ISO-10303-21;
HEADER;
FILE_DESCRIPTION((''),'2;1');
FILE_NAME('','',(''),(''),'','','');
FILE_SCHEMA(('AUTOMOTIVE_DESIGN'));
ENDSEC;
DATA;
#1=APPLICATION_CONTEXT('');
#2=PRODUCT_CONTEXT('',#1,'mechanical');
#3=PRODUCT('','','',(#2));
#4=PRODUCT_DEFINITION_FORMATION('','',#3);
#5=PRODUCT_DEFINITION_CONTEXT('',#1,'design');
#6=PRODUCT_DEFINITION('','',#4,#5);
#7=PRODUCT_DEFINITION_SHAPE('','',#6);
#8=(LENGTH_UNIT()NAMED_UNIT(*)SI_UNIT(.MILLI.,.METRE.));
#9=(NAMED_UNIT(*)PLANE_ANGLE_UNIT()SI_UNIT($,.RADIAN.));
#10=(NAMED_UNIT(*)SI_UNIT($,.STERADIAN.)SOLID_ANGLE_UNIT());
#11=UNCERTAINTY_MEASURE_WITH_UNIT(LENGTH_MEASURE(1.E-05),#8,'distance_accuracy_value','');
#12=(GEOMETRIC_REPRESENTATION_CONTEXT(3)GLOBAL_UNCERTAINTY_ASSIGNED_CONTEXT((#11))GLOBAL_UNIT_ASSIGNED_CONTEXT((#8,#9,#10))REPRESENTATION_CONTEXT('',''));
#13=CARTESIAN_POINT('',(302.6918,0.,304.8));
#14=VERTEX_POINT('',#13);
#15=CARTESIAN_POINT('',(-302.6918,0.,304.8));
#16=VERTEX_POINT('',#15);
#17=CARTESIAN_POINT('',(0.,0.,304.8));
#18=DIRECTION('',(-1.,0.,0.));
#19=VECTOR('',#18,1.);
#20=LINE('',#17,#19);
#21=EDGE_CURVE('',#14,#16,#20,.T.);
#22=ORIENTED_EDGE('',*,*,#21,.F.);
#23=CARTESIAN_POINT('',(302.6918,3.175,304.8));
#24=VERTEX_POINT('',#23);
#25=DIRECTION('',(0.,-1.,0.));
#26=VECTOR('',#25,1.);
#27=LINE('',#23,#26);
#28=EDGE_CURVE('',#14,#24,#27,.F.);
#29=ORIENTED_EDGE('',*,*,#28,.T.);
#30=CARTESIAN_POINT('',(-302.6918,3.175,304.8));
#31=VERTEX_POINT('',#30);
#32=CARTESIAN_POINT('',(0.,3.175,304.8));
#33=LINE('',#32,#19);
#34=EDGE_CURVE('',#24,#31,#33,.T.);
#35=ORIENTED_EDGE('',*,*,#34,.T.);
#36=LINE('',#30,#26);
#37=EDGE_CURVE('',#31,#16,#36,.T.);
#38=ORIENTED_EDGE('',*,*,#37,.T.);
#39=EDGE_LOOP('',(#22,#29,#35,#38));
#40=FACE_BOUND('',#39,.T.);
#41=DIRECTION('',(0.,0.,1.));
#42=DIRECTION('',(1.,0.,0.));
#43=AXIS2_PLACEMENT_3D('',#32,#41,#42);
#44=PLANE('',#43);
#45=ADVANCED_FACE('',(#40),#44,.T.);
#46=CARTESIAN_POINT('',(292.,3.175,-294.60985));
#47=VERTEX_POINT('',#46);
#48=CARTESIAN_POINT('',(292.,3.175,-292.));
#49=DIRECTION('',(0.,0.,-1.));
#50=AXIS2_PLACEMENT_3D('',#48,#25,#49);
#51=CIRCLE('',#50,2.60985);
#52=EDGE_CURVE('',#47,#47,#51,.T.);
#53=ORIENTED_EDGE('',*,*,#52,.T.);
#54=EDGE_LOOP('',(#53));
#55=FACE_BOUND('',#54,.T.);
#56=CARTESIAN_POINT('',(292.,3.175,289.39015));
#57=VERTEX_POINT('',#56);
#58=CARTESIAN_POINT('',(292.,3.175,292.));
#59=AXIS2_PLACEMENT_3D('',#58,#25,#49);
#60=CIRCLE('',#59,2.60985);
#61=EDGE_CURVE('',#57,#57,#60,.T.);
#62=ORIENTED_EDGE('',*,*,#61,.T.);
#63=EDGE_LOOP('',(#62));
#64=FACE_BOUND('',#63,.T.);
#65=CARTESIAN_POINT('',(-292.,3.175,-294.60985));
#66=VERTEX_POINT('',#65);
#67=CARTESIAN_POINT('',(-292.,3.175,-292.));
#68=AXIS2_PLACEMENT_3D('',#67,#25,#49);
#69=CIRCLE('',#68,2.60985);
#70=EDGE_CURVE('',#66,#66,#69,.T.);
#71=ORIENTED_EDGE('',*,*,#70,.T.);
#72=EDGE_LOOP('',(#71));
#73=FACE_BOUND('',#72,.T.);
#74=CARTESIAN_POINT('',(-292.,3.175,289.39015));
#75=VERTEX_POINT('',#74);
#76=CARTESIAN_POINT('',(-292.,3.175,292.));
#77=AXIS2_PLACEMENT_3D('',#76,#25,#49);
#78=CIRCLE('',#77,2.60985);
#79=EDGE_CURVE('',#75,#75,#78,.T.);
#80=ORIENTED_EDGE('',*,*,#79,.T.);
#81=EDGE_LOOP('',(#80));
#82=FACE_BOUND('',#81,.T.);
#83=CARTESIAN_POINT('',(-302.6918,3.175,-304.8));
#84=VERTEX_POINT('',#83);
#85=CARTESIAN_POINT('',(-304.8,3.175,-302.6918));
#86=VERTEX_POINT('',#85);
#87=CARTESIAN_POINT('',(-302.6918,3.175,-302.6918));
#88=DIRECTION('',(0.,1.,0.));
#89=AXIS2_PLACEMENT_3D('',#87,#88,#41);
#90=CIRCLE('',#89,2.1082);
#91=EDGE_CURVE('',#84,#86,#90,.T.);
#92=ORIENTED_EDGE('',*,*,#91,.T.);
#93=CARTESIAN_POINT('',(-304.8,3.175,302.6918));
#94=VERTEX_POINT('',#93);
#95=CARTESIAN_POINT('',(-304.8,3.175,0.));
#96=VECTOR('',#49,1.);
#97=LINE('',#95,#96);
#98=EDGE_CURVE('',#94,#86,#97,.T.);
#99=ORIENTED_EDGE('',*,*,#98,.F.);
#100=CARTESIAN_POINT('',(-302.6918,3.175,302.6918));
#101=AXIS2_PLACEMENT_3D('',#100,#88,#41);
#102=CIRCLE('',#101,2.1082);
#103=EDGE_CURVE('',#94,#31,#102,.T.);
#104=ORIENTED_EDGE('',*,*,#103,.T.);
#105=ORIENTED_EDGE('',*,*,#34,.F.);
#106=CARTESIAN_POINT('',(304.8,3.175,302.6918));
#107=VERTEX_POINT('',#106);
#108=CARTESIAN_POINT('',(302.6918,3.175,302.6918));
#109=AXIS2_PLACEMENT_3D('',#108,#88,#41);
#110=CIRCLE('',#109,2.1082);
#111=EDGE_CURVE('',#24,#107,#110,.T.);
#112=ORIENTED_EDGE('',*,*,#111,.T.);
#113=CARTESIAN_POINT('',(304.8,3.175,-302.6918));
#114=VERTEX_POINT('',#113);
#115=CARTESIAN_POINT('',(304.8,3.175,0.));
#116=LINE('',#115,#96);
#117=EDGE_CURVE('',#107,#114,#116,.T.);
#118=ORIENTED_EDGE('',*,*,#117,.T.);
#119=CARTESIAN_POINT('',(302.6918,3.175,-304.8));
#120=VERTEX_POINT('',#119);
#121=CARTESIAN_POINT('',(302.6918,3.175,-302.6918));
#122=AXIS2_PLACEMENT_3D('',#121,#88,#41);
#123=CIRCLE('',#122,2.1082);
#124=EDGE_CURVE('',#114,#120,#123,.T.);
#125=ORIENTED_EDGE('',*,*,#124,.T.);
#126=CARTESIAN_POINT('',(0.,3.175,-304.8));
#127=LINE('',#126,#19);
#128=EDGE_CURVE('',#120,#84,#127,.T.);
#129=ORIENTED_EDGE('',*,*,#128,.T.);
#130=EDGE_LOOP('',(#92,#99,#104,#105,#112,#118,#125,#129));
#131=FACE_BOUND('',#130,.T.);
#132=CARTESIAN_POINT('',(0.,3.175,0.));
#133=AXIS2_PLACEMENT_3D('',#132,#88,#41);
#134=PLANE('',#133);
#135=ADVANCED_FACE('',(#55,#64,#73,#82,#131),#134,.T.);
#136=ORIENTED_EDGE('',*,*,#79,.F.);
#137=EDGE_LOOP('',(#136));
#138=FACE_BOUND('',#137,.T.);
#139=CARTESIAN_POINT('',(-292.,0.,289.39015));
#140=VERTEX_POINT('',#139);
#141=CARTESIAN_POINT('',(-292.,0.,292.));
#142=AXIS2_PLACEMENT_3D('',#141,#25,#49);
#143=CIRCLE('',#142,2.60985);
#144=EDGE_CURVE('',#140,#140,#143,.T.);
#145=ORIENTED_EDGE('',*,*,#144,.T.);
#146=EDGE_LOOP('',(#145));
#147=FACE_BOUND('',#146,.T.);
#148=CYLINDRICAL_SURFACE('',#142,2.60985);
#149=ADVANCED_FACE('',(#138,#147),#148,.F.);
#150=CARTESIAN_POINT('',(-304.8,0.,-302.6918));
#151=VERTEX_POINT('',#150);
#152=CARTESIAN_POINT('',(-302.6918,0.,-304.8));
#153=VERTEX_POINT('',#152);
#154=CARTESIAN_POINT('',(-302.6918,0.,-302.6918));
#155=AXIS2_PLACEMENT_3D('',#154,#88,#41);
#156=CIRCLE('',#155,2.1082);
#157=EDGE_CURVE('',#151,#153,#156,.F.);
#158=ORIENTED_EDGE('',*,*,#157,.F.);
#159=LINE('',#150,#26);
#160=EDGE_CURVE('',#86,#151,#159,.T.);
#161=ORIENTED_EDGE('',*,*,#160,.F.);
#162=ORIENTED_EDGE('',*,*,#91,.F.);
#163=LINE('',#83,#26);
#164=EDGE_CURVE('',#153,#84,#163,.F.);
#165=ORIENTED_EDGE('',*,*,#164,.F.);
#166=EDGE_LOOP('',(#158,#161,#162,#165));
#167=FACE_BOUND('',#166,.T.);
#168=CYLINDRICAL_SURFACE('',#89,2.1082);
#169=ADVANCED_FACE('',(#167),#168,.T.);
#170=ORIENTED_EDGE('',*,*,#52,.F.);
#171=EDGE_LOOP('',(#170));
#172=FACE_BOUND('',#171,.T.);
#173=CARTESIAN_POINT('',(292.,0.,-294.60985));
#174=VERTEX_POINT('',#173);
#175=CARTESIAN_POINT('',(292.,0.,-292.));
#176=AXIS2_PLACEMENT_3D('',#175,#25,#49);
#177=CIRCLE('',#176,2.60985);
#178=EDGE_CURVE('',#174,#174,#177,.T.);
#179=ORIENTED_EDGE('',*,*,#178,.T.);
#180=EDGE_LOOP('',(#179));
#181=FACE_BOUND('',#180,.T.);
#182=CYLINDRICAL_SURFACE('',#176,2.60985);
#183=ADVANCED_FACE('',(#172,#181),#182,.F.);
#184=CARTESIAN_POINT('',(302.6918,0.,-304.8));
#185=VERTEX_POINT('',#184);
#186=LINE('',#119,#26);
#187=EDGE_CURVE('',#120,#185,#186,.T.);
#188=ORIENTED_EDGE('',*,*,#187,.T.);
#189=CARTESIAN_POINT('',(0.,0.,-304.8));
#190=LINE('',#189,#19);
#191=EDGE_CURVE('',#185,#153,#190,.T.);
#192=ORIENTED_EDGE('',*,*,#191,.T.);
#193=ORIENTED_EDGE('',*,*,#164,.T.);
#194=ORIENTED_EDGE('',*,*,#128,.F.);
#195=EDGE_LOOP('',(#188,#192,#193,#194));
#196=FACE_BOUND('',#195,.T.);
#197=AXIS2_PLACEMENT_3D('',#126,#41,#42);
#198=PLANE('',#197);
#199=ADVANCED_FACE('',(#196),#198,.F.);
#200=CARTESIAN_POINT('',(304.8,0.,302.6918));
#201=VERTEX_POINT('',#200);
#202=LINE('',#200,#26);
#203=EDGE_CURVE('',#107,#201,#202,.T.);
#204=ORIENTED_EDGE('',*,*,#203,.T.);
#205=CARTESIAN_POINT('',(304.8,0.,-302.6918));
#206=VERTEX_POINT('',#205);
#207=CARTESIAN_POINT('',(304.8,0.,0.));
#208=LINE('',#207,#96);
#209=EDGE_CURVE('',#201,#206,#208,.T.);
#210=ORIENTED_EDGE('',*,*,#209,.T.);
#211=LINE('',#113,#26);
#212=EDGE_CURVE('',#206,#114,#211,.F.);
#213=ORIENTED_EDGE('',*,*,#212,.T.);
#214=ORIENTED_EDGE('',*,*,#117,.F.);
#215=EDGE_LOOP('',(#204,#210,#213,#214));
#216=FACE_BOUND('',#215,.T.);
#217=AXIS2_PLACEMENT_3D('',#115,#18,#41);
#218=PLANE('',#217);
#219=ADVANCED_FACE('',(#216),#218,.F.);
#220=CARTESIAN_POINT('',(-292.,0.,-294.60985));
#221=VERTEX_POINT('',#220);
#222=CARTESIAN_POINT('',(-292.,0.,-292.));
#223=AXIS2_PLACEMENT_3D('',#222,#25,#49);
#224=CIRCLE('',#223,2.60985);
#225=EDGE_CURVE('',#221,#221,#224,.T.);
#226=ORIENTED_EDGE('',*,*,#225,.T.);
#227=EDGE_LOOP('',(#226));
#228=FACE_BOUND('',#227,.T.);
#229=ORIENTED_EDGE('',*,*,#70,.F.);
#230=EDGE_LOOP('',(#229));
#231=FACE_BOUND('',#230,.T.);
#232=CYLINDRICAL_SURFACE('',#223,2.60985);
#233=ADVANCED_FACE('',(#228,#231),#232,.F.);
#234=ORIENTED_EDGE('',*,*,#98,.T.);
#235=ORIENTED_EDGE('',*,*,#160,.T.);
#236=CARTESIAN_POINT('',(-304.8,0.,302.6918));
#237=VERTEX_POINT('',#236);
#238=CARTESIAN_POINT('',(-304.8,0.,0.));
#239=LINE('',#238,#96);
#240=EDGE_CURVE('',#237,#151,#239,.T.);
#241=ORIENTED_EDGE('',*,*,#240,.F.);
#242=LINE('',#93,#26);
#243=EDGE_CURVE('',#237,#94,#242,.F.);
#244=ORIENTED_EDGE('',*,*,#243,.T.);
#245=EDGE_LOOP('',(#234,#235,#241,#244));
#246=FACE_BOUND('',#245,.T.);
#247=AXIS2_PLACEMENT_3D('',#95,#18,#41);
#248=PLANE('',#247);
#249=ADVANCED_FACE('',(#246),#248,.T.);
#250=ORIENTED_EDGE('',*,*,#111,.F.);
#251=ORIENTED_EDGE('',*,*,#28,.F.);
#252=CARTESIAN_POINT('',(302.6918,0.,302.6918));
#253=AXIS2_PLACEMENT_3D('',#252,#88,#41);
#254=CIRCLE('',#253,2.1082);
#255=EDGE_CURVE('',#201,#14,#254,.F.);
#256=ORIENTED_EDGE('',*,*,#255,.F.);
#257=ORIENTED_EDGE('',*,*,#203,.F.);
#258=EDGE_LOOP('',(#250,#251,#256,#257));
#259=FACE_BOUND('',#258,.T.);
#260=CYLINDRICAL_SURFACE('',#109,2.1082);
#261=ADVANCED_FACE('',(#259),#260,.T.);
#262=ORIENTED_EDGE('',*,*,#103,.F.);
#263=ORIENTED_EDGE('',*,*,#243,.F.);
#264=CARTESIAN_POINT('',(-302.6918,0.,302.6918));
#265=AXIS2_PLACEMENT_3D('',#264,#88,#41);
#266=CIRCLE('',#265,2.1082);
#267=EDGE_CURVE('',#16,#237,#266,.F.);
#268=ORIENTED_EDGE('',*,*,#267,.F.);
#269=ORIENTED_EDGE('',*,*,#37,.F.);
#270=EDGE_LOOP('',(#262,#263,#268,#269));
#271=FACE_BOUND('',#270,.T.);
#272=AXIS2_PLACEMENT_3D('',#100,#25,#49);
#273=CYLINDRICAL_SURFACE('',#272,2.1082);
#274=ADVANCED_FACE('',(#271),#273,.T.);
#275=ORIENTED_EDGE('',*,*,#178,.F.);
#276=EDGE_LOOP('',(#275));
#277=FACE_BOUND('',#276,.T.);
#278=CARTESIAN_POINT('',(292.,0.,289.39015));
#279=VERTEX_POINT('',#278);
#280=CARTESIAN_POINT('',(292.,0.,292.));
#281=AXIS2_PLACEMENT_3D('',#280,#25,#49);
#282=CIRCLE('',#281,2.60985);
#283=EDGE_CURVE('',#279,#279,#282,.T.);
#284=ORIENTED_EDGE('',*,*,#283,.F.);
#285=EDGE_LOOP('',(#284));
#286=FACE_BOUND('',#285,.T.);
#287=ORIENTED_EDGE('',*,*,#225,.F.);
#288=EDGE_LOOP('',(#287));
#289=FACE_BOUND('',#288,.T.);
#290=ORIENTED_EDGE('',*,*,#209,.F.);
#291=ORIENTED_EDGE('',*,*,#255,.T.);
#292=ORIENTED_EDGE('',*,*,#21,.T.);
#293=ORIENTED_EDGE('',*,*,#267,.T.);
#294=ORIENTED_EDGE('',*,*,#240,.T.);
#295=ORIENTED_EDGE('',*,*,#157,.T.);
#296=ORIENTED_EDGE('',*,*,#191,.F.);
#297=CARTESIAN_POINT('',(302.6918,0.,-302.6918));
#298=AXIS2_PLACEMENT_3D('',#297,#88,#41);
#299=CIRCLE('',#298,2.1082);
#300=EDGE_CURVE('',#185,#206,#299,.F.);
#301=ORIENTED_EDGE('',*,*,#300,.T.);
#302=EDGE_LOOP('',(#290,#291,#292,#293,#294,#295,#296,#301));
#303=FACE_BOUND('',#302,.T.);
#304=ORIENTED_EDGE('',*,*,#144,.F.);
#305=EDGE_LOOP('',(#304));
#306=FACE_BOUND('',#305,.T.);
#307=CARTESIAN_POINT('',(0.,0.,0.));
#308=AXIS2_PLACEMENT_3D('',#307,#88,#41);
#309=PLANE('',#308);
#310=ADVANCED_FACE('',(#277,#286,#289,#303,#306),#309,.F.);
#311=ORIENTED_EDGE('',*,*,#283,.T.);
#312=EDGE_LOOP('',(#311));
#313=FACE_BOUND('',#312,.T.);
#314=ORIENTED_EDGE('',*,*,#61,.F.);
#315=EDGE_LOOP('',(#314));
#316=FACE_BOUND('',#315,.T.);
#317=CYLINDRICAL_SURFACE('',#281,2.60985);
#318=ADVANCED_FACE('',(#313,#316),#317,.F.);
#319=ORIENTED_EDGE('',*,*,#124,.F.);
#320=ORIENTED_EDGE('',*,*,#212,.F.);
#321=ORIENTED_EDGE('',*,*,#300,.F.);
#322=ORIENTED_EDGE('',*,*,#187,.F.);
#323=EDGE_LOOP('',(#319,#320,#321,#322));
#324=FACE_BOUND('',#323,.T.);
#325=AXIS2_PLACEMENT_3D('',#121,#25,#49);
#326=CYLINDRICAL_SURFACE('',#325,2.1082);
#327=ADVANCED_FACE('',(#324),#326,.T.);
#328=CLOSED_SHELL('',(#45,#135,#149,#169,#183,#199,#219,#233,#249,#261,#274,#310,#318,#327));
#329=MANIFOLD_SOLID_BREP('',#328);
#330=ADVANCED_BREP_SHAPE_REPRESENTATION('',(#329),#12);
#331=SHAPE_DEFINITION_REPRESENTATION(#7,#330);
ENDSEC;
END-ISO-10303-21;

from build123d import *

# Parameters (mm, degrees)
SKETCH1_W                   = 609.6
SKETCH1_H                   = 609.6
SKETCH1_W_2                 = 609.399999892
SKETCH1_H_2                 = 609.399999892
BOSS_EXTRUDE2_DEPTH         = 3.175
F_5_0_2055_DIAMETER_HOLE1_D = 5.2197
FILLET1_R                   = 2.1082


with BuildPart() as part:
    # Sketch1 → Boss-Extrude2 (new body)
    with BuildSketch(Plane(origin=(0, 0, 0), x_dir=(1, 0, 0), z_dir=(0, 1, 0))):
        Rectangle(SKETCH1_W, SKETCH1_H)
        Rectangle(SKETCH1_W_2, SKETCH1_H_2, mode=Mode.SUBTRACT)
        Rectangle(SKETCH1_W_2, SKETCH1_H_2)
    extrude(amount=BOSS_EXTRUDE2_DEPTH)

    # #5 (0.2055) Diameter Hole1 (through all)
    with Locations(Plane(origin=(0, 0, 0), x_dir=(-1, 0, 0), z_dir=(0, -1, 0))):
        with Locations((-291.999999946, 291.999999946), (291.999999946, 291.999999946), (291.999999946, -291.999999946), (-291.999999946, -291.999999946)):
            Hole(F_5_0_2055_DIAMETER_HOLE1_D / 2)

    # Fillet1
    fillet1_edges = [part.edges().sort_by_distance(p)[0] for p in [
        (-304.8, 1.5875, -304.8),
        (304.8, 1.5875, -304.8),
        (304.8, 1.5875, 304.8),
        (-304.8, 1.5875, 304.8),
    ]]
    fillet(fillet1_edges, radius=FILLET1_R)


solid = part.part
